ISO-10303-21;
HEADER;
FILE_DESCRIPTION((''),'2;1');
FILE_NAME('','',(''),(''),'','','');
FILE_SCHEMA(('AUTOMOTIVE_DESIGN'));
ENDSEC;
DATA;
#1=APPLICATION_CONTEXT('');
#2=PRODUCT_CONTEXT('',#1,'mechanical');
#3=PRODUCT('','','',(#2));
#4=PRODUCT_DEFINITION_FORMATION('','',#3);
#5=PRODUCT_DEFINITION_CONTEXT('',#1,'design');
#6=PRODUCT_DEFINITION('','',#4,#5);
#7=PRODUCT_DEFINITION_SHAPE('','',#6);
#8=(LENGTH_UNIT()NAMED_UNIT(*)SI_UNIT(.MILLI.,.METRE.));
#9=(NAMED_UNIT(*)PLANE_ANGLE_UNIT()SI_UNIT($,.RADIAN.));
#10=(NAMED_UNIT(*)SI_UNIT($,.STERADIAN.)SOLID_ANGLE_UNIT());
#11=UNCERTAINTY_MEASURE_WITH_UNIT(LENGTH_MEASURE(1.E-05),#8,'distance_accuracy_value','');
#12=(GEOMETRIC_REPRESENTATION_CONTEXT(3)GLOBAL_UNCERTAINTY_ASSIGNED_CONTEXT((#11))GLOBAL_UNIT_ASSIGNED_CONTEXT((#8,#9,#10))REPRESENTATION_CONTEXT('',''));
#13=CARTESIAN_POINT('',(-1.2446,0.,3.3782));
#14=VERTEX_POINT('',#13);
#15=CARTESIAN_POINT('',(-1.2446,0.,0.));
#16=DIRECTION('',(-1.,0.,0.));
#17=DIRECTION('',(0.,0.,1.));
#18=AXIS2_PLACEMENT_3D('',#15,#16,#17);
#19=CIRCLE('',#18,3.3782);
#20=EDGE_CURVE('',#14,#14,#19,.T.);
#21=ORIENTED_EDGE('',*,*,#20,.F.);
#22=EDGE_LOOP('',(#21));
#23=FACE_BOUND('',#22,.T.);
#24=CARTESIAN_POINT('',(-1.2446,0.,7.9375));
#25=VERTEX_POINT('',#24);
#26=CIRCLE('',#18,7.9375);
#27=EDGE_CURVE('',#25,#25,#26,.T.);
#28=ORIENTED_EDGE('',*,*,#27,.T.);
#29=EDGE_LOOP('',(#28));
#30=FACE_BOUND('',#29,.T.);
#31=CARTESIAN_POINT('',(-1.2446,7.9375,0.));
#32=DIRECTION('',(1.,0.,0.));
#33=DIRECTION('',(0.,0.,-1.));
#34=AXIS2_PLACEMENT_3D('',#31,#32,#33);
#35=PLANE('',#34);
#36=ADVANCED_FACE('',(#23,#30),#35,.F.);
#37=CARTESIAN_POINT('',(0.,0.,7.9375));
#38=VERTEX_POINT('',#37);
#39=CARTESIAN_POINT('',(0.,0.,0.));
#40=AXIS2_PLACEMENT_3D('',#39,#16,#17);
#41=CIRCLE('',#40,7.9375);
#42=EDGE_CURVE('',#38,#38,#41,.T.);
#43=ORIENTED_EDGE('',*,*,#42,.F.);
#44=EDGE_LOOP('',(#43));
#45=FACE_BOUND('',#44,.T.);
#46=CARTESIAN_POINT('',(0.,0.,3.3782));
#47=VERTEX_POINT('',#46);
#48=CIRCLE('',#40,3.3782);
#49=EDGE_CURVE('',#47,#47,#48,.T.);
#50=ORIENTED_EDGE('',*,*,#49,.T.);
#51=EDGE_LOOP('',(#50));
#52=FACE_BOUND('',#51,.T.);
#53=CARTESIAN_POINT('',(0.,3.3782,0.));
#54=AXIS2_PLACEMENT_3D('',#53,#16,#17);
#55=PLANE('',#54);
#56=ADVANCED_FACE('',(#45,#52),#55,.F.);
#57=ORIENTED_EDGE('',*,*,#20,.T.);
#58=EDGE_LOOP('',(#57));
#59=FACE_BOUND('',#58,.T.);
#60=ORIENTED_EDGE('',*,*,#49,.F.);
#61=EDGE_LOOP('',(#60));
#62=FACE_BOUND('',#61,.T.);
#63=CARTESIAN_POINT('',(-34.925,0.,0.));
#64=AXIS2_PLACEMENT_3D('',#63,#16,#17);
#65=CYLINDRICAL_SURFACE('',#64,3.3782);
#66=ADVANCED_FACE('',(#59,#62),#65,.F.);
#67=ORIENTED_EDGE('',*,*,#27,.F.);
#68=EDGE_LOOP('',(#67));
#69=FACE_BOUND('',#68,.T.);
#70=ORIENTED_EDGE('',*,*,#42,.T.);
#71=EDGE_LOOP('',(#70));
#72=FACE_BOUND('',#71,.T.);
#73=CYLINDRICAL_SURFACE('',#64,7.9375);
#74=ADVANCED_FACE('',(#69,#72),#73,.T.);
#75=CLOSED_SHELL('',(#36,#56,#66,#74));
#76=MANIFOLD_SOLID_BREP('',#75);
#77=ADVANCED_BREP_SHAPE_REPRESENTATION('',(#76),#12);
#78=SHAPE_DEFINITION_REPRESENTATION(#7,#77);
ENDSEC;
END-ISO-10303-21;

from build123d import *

# Parameters (mm, degrees)
SKETCH1_W = 1.2446
SKETCH1_H = 4.5593


with BuildPart() as part:
    # Sketch1 → Base-Revolve (revolve)
    with BuildSketch(Plane.XY):
        with Locations((-0.6223, 5.65785)):
            Rectangle(SKETCH1_W, SKETCH1_H)
    revolve(axis=Axis((-34.925, 0, 0), (1, 0, 0)))


solid = part.part
